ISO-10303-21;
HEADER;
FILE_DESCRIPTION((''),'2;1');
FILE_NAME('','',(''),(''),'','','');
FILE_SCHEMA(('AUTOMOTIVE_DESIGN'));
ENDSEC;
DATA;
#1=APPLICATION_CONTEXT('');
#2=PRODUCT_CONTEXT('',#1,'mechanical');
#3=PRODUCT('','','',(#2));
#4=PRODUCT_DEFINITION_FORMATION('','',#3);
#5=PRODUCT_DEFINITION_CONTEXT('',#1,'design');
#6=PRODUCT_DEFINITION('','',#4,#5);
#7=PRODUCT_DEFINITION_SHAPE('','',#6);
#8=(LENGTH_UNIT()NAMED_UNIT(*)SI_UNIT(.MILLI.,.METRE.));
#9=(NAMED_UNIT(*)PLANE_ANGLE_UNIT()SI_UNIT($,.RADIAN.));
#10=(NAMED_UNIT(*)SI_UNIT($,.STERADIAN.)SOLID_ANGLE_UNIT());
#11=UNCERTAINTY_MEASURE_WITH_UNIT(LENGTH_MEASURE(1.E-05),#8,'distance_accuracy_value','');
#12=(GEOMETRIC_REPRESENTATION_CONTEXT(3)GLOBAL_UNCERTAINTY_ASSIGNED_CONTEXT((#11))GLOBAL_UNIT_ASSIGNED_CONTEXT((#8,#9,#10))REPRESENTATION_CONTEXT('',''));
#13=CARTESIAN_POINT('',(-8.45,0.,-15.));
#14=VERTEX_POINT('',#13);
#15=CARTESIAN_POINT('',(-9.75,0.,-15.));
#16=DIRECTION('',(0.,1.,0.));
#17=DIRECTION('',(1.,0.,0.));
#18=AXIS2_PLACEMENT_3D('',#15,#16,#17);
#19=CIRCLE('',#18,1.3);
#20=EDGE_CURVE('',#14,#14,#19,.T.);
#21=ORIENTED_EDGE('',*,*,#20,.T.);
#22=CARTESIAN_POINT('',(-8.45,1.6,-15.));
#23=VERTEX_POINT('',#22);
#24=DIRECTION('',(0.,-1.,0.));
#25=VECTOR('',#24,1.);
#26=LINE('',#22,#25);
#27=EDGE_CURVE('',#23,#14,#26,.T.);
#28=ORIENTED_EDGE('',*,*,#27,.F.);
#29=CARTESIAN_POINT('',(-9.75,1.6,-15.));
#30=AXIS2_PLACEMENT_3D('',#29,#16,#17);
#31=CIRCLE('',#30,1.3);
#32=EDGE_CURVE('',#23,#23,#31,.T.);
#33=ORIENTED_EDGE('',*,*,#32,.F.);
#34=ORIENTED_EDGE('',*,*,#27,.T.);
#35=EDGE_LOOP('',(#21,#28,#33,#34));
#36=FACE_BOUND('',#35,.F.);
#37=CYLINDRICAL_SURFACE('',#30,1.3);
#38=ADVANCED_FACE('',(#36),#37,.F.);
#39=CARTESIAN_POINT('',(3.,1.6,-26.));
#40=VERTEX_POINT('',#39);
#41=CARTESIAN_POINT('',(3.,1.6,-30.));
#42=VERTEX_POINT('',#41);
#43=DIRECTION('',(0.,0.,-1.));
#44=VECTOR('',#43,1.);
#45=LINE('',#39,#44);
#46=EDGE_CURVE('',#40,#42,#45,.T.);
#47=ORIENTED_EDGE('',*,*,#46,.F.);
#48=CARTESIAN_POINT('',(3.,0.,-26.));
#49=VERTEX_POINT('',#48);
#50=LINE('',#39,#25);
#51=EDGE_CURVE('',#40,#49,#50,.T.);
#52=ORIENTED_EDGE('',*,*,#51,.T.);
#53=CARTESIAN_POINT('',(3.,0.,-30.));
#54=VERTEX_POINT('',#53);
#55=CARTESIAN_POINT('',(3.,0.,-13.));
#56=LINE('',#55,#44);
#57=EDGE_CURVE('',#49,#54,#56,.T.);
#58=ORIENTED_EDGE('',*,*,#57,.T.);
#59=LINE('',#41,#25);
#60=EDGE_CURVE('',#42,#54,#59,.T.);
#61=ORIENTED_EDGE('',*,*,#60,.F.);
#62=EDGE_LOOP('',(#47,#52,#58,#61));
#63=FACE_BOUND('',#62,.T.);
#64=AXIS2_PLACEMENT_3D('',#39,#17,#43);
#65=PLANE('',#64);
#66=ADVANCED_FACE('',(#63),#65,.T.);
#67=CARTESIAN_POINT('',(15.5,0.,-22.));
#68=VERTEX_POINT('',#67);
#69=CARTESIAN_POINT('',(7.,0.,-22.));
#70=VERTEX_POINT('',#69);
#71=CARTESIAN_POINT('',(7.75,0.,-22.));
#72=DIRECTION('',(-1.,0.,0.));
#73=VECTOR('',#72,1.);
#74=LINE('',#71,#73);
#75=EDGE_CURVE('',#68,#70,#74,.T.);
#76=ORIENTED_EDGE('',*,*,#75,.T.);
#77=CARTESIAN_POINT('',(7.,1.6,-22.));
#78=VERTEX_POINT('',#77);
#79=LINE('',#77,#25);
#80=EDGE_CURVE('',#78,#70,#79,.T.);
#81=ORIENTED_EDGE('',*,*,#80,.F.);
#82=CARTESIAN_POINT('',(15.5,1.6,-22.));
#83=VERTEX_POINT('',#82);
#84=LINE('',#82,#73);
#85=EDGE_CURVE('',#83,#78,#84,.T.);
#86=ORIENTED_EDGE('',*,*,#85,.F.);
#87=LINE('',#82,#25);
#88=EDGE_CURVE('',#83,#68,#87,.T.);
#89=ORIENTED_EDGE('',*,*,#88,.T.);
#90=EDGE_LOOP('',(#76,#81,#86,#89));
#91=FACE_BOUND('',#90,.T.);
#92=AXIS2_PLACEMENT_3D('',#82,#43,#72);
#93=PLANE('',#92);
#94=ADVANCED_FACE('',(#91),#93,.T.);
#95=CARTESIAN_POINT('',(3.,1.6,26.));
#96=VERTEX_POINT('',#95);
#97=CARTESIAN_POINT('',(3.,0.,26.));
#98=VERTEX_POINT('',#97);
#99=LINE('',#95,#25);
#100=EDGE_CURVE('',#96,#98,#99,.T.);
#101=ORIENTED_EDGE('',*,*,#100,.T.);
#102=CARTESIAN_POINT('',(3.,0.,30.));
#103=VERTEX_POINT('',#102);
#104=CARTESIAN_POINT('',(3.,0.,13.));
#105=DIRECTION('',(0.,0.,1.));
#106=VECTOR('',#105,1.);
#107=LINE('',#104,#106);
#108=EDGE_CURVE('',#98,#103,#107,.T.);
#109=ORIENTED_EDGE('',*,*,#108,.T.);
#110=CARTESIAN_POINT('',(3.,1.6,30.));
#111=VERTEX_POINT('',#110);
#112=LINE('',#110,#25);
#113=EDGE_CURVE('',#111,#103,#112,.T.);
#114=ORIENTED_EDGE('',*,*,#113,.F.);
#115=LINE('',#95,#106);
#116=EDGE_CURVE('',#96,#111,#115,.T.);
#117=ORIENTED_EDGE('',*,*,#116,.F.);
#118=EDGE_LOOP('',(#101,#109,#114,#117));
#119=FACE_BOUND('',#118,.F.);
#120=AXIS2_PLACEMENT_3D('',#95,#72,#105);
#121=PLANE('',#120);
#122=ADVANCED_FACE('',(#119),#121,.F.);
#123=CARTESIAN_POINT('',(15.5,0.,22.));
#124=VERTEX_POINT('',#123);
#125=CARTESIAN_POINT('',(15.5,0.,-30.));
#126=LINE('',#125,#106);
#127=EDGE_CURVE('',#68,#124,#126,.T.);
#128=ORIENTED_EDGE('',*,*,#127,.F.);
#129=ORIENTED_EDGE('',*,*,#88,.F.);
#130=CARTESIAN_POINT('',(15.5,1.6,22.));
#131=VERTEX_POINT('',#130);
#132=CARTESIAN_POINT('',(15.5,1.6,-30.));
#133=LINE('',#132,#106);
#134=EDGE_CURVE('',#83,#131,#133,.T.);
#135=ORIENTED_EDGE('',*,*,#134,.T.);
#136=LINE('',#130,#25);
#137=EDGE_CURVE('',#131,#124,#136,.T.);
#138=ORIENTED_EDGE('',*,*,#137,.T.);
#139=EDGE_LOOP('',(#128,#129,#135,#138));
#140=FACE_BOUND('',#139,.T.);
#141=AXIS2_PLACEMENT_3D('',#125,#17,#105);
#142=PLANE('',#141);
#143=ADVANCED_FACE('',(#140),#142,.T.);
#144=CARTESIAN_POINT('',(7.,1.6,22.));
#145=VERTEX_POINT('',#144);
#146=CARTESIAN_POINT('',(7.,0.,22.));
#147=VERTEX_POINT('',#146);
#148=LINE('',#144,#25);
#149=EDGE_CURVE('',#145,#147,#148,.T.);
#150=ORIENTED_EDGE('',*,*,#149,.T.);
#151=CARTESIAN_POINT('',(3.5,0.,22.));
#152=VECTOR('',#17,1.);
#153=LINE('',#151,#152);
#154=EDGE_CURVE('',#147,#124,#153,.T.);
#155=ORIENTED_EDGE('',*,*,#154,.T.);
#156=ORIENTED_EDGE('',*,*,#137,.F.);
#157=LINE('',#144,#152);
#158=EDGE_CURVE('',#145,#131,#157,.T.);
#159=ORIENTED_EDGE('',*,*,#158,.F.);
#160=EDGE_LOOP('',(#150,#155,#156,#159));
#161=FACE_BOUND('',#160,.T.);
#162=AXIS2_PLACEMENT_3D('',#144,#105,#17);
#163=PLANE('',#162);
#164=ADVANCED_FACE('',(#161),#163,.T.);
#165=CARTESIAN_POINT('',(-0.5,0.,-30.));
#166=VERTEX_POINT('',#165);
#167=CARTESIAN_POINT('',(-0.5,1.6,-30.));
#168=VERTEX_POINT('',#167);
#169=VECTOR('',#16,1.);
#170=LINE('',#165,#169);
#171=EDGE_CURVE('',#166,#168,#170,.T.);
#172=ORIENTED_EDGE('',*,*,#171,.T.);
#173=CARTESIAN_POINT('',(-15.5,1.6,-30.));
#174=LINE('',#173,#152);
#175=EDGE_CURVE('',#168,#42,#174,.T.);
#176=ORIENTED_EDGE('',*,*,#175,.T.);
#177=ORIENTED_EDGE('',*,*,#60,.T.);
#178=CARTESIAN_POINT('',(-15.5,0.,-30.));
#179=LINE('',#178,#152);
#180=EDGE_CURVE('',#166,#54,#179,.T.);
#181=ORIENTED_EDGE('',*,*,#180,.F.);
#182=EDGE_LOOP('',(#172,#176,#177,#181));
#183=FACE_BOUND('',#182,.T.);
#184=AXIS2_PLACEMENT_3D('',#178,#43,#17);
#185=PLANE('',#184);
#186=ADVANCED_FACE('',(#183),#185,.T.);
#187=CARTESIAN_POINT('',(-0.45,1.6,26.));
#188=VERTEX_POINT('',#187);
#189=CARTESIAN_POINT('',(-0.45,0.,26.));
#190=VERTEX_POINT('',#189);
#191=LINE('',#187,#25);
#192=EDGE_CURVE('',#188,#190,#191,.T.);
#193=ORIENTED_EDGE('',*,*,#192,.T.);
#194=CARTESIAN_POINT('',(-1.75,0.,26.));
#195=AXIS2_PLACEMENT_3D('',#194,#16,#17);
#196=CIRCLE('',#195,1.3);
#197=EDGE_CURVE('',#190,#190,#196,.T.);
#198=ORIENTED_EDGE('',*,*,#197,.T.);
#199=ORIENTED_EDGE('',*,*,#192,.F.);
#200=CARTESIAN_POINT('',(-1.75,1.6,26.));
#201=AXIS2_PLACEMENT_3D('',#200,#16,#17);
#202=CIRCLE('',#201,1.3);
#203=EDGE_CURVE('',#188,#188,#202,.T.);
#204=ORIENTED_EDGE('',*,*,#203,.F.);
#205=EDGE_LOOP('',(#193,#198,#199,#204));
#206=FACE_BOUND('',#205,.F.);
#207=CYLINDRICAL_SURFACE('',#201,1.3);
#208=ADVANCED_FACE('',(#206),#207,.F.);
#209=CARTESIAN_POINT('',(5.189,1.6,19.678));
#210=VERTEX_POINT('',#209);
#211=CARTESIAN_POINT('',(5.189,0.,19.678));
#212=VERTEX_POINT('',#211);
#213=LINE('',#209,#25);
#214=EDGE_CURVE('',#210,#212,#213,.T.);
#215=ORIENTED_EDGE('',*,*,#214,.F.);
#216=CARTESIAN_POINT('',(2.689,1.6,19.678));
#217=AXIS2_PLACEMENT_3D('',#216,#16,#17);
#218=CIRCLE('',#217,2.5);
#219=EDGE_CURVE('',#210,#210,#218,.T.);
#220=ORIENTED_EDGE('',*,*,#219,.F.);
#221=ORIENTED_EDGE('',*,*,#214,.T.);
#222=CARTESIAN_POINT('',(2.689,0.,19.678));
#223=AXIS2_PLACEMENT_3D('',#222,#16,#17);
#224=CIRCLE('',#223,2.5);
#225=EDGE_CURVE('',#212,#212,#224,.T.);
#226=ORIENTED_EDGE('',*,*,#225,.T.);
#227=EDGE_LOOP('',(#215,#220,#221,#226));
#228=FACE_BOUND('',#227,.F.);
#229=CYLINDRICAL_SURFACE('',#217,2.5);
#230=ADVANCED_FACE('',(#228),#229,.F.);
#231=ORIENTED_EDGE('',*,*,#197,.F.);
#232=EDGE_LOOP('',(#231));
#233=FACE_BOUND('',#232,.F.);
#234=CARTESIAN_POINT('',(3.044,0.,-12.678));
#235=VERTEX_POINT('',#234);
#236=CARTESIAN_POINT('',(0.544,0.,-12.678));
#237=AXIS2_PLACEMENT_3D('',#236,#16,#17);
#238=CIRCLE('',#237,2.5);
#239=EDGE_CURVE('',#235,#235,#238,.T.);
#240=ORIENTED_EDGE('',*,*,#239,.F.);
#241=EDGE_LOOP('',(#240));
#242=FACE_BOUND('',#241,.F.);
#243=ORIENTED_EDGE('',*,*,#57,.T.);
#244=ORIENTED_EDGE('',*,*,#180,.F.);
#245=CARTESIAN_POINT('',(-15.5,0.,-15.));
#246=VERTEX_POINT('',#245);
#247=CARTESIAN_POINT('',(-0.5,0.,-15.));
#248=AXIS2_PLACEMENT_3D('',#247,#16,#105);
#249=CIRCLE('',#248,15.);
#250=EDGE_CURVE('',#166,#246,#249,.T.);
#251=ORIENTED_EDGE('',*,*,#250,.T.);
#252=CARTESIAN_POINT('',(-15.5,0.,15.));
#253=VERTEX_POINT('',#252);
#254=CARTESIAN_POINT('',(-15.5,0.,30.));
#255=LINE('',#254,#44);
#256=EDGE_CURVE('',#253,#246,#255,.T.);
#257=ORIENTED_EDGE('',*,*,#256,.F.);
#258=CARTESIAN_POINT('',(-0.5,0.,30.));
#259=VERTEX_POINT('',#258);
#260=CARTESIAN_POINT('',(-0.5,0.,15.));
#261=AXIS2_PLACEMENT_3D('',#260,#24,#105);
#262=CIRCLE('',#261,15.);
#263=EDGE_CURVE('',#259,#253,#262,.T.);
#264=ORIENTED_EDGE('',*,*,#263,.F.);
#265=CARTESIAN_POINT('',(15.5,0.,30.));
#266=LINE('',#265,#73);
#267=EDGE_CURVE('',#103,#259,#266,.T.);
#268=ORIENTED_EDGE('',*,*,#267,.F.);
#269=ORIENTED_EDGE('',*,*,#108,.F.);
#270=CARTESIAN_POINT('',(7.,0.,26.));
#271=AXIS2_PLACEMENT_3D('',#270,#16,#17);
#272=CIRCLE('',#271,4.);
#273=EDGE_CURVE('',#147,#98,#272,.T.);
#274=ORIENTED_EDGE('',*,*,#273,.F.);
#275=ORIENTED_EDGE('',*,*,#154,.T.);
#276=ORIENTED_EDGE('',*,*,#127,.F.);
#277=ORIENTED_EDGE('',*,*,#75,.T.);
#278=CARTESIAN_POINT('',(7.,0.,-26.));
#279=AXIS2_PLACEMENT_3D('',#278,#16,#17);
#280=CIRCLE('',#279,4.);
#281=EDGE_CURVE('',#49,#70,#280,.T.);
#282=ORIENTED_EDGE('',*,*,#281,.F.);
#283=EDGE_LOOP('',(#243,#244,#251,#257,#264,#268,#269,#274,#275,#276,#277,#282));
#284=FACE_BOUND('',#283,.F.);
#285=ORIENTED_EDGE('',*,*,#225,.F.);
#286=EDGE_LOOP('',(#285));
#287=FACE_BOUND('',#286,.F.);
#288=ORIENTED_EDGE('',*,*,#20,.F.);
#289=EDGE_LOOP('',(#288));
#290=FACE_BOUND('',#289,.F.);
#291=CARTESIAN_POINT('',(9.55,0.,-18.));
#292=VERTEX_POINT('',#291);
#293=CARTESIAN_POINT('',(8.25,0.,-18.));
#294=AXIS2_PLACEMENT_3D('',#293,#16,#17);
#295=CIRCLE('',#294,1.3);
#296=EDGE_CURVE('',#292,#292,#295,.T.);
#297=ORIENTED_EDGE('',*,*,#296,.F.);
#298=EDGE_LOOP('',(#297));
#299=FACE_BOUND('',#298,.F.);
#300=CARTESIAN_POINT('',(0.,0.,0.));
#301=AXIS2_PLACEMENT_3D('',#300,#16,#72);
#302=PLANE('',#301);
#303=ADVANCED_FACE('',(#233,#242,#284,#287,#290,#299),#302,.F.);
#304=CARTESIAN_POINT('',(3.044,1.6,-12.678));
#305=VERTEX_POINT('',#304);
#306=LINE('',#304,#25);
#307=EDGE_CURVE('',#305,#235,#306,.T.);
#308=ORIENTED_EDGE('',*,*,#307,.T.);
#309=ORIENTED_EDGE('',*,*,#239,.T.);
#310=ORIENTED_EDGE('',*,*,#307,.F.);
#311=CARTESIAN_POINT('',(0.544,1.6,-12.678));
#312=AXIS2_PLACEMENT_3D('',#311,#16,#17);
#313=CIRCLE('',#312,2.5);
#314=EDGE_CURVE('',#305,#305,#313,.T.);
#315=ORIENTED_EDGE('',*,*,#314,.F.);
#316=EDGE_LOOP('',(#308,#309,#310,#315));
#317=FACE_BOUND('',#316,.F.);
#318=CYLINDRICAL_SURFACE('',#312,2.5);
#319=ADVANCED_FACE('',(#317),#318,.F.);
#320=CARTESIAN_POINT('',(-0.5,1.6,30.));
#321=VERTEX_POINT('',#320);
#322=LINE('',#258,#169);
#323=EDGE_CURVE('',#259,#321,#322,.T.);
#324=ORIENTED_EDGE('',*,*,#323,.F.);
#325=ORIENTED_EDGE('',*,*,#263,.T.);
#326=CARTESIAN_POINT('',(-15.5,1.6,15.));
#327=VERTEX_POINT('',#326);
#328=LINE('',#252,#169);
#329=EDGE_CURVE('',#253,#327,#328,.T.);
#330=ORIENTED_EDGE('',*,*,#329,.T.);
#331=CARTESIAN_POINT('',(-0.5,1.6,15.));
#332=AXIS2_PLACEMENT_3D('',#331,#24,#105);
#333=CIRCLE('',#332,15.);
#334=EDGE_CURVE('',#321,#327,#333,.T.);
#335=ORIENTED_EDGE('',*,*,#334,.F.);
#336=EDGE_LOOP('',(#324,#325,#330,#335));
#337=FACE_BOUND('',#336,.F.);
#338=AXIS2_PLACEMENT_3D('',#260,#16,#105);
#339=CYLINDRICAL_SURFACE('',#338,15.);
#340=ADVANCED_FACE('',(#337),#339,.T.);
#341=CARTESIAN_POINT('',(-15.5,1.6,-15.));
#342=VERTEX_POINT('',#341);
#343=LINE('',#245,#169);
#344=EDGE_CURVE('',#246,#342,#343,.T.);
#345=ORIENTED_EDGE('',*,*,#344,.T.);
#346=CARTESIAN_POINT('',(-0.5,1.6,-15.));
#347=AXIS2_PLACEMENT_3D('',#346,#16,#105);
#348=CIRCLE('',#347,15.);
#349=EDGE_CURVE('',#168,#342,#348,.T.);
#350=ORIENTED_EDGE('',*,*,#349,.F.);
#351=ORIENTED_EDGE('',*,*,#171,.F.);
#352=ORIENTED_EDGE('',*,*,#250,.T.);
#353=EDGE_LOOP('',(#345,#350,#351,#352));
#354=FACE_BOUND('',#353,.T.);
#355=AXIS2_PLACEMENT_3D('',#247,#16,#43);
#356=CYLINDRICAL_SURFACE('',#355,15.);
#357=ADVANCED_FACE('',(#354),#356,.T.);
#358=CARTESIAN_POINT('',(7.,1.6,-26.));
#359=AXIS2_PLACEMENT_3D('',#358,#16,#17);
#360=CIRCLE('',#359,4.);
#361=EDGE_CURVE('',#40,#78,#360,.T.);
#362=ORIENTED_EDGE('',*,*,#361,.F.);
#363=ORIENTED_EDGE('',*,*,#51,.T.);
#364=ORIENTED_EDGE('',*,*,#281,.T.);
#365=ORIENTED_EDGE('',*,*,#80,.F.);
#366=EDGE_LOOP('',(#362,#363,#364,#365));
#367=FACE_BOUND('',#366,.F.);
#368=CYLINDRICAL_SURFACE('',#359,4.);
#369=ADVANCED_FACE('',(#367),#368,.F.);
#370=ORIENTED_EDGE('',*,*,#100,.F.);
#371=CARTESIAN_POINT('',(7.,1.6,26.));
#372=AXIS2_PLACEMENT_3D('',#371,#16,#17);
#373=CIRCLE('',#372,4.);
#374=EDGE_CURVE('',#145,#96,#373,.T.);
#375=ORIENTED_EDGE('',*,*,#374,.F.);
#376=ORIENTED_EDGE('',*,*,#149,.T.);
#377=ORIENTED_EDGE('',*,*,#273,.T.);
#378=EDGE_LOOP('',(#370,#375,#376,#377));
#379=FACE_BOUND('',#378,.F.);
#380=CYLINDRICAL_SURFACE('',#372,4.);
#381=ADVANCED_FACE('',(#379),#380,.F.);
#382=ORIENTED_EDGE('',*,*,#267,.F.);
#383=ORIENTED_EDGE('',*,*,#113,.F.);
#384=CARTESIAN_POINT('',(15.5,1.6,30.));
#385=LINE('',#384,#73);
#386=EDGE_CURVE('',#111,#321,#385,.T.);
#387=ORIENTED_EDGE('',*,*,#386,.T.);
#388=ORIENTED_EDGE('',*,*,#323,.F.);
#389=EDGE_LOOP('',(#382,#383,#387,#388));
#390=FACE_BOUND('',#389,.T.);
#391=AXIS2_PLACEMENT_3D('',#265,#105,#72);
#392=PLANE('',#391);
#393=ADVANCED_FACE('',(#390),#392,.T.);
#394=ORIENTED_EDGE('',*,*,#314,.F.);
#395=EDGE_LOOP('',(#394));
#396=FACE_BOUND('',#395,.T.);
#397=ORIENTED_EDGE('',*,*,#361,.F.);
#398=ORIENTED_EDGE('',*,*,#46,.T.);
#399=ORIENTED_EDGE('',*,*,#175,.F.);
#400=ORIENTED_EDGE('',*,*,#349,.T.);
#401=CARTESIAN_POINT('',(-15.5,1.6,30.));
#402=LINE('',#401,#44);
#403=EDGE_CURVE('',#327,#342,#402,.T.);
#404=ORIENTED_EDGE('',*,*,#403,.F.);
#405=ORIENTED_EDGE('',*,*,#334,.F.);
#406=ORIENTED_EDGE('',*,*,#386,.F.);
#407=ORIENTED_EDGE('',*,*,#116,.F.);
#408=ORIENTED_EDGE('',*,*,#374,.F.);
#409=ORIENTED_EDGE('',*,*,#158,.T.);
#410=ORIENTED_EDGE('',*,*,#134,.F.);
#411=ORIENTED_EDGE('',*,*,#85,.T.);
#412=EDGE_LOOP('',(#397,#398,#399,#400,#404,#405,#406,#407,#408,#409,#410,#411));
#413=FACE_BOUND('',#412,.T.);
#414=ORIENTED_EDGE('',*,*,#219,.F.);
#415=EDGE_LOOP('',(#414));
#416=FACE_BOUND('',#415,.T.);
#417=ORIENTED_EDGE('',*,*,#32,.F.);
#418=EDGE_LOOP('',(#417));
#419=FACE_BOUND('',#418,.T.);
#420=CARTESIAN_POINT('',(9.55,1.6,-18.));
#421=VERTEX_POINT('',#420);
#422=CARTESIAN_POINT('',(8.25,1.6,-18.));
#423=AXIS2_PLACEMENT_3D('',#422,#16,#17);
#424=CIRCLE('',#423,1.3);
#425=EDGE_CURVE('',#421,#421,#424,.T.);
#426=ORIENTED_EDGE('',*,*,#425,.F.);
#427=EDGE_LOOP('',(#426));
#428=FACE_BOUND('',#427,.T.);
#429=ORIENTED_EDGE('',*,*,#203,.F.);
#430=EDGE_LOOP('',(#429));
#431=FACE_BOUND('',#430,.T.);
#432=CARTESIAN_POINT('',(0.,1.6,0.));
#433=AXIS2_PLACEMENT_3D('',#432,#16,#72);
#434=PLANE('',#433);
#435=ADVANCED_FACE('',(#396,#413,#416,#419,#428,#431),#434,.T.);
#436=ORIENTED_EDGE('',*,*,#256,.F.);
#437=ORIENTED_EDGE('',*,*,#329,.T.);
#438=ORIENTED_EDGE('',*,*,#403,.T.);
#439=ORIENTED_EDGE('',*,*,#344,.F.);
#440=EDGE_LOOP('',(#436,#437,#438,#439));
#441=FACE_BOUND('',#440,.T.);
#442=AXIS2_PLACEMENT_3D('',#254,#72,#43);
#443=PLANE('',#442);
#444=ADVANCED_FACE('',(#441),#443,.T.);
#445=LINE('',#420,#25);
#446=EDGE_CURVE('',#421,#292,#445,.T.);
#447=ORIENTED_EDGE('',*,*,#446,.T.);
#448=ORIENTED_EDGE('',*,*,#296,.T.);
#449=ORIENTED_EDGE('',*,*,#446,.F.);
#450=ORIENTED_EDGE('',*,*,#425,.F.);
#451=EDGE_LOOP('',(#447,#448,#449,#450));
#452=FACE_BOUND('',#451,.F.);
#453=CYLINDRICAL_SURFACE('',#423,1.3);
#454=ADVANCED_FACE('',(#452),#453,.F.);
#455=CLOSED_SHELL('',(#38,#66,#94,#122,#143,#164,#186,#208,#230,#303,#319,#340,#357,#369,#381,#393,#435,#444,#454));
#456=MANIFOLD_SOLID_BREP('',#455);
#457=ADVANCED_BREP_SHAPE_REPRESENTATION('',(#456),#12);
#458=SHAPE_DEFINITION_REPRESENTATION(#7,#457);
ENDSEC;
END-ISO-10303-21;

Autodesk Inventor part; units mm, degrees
ref_plane "YZ Plane" through (0, 0, 0) normal (1, 0, 0) x (0, 1, 0)
ref_plane "XZ Plane" through (0, 0, 0) normal (0, 1, 0) x (-1, 0, 0)
ref_plane "XY Plane" through (0, 0, 0) normal (0, 0, 1) x (1, 0, 0)
sketch "Esquisse1" plane through (0, 0, 0) normal (0, 1, 0) x (-1, 0, 0)
  line L0 (15.5, -30) -> (-15.5, -30)
  line L1 (-15.5, -30) -> (-15.5, 30)
  line L2 (-15.5, 30) -> (15.5, 30)
  line L3 (15.5, 30) -> (15.5, -30)
  point P0 (0, 0)
  dimension "d0" = 31
  dimension "d1" = 60
  dimension "d2" = 30
  dimension "d3" = 15.5
extrude "Extrusion1" add sketch "Esquisse1" along normal blind 1.6
fillet "Congé1" radius 15 2 edges at (-15.5, 0.8, -30) (-15.5, 0.8, 30)
sketch "Esquisse2" plane through (0, 1.6, 0) normal (0, 1, 0) x (1, 0, 0)
  circle A0 centre (7, 26) radius 4
  circle A1 centre (7, -26) radius 4
  line L0 (-0.5, -30) -> (15.5, -30) projected
  line L1 (3, 26) -> (3, 30)
  line L2 (15.5, 30) -> (-0.5, 30) projected
  line L3 (7, 30) -> (3, 30)
  line L4 (7, 30) -> (15.5, 30)
  line L5 (15.5, 30) -> (15.5, 22)
  line L6 (15.5, -30) -> (15.5, 30) projected
  line L7 (15.5, 22) -> (7, 22)
  line L8 (7, -22) -> (15.5, -22)
  line L9 (15.5, -22) -> (15.5, -30)
  line L10 (15.5, -30) -> (7, -30)
  line L11 (3, -26) -> (3, -30)
  line L12 (3, -30) -> (7, -30)
  point P0 (0, 0)
  dimension "d7" = 8
  dimension "d8" = 7
  dimension "d9" = 7
  dimension "d10" = 26
  dimension "d11" = 26
extrude "Extrusion3" cut sketch "Esquisse2" against normal through all
sketch "Esquisse3" plane through (0, 1.6, 0) normal (0, 1, 0) x (1, 0, 0)
  circle A0 centre (-9.75, 15) radius 1.3
  circle A1 centre (-1.75, -26) radius 1.3
  circle A2 centre (8.25, 18) radius 1.3
  line L0 (-15.5, 15) -> (-15.5, -15) projected
  circle A3 centre (2.689, -19.678) radius 2.5
  circle A4 centre (0.544, 12.678) radius 2.5
  point P0 (0, 0)
  dimension "d19" = 2.6
  dimension "d20" = 2.6
  dimension "d21" = 2.6
  dimension "d23" = 13.75
  dimension "d24" = 15
  dimension "d25" = 5.75
  dimension "d26" = 18
  dimension "d27" = 8.25
  dimension "d30" = 15.5
  dimension "d31" = 11
  dimension "d32" = 5
  dimension "d33" = 5
  dimension "d34" = 34.678
  dimension "d35" = 2.322
  dimension "d36" = 18.189
  dimension "d37" = 16.044
extrude "Extrusion4" cut sketch "Esquisse3" against normal blind 18.189
equation "\"d2\" = 0.5 * d1"
equation "\"d3\" = 0.5 * d0"
equation "\"d9\" = d8"
equation "\"d11\" = d10"
equation "\"d20\" = d19"
equation "\"d21\" = d19"
equation "\"d33\" = d32"
equation "\"d28\" = d36"
properties part number "PCB Droit" material "Nylon, disulfure de molybdène"
